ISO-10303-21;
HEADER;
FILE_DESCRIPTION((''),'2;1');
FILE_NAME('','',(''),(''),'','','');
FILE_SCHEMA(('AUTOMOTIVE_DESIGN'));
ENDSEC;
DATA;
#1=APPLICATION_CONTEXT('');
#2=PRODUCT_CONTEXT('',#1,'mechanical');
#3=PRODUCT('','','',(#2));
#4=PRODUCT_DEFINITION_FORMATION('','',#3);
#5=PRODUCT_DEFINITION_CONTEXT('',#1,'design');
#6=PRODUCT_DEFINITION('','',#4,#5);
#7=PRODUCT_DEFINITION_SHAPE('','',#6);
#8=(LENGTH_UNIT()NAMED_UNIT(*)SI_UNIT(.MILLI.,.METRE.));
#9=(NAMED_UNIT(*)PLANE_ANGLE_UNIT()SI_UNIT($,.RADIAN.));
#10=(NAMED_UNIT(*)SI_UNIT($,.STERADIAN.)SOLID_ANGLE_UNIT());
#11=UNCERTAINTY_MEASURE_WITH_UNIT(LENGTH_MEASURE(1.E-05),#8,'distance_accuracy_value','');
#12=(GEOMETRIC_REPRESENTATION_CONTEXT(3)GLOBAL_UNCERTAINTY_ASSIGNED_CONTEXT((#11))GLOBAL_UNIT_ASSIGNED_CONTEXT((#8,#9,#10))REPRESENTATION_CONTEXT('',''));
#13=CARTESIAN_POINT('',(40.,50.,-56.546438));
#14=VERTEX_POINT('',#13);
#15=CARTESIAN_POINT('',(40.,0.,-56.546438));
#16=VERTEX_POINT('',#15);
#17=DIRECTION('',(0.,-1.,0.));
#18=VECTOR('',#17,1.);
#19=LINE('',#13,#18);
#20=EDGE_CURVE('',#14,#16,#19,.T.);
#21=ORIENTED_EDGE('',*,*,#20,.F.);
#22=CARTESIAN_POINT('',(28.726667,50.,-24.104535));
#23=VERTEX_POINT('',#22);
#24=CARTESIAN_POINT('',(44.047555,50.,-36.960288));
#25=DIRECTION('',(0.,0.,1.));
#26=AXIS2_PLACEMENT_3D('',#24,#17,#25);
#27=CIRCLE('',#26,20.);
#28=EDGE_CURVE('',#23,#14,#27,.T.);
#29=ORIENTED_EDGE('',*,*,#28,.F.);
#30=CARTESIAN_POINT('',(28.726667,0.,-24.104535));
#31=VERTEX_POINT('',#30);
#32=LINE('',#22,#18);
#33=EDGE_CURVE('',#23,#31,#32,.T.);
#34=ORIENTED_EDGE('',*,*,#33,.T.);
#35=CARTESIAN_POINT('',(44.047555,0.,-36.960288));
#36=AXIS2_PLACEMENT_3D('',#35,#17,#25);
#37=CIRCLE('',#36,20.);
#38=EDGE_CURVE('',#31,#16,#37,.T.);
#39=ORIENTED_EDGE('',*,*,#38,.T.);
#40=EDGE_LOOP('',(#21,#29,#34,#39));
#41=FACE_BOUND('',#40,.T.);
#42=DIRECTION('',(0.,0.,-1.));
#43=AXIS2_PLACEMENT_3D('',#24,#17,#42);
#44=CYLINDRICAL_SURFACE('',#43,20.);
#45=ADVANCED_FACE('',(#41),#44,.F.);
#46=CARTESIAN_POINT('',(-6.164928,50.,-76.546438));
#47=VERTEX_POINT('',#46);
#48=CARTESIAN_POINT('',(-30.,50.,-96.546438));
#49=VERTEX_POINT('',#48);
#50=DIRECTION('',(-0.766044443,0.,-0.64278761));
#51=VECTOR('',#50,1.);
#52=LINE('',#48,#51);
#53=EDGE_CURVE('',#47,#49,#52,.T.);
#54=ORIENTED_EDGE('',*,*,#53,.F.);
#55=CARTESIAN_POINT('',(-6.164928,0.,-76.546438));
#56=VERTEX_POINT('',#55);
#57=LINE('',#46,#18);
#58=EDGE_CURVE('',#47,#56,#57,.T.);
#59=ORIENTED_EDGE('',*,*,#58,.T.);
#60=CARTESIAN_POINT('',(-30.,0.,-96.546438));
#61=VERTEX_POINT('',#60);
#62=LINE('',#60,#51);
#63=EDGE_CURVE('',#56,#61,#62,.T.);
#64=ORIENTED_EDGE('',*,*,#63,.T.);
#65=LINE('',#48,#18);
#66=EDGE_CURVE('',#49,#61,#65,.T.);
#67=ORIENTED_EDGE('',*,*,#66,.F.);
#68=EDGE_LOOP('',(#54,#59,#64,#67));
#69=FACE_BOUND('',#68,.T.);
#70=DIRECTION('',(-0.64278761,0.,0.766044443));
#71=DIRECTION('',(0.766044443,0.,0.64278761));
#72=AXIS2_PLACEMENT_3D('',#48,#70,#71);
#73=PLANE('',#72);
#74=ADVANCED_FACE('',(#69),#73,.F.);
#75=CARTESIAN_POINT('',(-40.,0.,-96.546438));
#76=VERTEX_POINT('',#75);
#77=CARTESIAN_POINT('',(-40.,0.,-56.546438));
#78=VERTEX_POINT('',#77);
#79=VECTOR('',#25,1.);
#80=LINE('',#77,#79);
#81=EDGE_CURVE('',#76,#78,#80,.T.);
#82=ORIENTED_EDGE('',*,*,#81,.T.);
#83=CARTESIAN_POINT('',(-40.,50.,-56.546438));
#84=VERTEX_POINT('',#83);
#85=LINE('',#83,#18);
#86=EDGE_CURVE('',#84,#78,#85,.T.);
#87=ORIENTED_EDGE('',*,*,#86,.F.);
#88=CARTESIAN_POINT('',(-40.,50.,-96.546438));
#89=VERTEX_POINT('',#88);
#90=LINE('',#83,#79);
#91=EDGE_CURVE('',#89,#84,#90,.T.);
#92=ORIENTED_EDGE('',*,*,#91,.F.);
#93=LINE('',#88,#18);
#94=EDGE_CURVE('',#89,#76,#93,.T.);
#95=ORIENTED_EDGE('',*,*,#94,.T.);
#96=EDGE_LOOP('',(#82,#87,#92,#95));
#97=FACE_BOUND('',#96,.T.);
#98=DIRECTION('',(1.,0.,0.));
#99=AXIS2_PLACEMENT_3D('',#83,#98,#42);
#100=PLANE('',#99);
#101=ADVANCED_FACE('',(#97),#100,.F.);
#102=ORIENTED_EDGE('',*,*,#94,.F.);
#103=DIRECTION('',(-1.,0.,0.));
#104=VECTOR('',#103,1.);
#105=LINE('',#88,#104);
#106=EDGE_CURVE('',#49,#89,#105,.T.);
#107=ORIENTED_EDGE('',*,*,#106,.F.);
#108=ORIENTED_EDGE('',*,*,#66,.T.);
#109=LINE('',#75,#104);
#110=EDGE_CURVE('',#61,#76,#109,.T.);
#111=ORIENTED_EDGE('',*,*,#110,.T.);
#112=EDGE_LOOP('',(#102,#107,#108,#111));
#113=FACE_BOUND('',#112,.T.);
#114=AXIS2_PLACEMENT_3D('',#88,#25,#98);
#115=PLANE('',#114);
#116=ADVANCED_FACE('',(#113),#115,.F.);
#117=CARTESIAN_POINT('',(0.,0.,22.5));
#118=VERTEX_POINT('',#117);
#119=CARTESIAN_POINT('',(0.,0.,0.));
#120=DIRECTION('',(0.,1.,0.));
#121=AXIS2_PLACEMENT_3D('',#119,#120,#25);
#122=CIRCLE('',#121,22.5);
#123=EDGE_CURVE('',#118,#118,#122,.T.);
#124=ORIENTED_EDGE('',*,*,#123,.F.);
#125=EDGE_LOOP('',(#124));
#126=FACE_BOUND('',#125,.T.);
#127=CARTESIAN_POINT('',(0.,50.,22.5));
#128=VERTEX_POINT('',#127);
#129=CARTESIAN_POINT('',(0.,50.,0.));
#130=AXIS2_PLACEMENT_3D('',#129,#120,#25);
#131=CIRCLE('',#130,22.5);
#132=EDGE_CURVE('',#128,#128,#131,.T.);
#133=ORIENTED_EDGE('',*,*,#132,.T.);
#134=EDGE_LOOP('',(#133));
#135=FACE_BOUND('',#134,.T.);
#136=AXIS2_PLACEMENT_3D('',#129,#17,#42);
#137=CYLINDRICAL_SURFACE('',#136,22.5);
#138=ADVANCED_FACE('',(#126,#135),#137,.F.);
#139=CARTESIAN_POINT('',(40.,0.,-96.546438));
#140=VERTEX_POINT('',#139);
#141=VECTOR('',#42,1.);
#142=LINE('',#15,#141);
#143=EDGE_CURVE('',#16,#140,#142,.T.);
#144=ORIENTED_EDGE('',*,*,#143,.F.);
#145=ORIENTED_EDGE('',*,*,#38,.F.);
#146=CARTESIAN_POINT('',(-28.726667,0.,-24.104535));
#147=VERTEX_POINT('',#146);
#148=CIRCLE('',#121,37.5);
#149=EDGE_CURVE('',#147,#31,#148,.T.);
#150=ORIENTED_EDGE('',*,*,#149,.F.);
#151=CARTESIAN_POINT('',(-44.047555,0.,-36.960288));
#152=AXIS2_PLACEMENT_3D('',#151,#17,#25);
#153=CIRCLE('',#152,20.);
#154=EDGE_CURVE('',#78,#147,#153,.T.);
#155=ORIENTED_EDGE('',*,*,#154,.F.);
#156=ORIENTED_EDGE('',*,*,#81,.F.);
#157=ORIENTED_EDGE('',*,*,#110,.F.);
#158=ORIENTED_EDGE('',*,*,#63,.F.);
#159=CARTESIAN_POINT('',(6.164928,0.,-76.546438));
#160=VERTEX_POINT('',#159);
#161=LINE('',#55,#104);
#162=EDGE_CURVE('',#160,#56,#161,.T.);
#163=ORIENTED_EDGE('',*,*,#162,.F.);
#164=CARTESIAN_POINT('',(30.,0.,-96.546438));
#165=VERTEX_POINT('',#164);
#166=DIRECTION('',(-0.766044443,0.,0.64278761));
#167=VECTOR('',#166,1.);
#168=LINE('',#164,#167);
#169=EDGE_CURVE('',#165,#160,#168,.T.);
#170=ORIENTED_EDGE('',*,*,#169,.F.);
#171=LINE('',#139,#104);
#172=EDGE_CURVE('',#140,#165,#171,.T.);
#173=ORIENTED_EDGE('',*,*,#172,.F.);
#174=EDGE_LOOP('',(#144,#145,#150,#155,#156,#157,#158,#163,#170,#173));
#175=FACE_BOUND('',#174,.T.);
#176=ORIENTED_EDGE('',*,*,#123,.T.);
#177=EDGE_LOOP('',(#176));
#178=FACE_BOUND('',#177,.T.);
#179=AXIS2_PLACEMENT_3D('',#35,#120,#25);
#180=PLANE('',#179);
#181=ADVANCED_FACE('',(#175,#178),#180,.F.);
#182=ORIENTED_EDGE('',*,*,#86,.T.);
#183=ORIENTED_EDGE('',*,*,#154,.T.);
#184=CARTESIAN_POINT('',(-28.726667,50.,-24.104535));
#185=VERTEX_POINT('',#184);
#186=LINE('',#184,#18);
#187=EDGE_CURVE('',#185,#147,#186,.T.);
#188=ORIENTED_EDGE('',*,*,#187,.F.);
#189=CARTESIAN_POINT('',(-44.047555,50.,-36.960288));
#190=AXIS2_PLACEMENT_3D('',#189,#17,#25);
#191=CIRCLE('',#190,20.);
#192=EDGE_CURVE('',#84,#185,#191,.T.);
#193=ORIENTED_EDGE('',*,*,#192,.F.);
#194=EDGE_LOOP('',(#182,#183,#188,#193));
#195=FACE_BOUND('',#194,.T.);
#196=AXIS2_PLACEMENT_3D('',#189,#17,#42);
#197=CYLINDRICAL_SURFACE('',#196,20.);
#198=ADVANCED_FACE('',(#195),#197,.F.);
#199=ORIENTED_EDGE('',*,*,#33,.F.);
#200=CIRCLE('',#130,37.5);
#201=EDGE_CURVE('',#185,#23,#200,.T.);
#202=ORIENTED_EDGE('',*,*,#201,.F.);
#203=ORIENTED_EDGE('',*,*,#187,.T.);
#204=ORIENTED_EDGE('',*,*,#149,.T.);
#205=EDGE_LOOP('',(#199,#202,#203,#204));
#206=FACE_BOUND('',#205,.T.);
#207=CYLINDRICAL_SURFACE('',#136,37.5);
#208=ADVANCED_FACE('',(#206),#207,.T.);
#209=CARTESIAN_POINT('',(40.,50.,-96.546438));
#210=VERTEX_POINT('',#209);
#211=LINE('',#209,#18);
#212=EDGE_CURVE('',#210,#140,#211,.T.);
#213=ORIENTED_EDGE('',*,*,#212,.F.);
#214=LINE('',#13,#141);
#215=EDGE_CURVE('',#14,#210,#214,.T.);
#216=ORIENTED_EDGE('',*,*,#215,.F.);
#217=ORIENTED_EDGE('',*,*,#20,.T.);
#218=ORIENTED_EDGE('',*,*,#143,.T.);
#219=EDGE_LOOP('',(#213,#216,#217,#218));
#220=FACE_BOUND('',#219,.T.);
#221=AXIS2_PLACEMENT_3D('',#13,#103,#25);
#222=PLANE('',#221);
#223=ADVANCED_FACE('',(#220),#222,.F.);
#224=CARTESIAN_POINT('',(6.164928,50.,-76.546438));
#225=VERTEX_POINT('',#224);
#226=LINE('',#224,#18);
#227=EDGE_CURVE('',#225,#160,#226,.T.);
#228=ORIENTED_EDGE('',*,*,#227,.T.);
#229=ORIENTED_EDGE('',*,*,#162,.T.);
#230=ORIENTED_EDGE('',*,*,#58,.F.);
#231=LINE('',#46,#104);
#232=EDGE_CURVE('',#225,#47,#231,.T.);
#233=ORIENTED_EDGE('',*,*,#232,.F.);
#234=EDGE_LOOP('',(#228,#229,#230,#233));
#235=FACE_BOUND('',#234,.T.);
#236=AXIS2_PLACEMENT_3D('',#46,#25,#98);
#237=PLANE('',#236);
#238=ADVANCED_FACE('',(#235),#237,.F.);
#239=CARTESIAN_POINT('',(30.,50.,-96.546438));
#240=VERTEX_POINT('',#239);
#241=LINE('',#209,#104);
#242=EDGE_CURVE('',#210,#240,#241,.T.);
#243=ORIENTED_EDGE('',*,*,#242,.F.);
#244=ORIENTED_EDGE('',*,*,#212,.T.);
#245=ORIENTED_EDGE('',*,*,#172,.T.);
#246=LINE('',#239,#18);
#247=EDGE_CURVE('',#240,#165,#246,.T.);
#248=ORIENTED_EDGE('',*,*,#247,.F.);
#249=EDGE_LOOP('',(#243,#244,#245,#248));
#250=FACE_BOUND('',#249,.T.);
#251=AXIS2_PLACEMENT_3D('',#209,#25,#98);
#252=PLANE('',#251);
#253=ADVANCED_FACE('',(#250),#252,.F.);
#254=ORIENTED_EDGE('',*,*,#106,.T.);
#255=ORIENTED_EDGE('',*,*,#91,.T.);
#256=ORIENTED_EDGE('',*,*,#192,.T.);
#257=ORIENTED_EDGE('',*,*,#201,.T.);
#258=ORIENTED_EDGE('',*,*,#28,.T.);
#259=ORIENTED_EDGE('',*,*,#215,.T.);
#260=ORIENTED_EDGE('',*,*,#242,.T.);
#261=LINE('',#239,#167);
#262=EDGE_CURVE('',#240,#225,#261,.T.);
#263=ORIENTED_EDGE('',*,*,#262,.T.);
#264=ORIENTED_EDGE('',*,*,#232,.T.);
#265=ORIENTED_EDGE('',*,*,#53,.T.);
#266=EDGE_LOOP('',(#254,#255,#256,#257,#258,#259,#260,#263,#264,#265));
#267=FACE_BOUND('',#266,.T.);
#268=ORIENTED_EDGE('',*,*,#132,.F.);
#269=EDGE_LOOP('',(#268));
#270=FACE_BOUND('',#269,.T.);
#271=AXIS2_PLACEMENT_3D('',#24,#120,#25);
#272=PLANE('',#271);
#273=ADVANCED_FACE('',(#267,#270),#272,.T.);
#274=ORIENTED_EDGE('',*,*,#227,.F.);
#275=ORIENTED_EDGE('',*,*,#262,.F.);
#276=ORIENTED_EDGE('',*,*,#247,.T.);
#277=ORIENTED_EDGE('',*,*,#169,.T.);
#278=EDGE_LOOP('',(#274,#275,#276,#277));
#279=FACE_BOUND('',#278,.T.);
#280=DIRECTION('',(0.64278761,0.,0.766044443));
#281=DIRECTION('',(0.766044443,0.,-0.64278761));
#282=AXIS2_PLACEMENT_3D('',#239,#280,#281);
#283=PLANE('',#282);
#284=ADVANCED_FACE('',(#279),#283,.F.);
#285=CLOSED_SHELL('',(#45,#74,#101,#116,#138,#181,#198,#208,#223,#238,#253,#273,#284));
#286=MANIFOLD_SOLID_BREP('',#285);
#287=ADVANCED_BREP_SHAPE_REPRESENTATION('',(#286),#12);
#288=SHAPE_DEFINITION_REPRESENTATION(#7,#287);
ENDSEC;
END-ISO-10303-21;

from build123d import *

# Parameters (mm, degrees)
CROQUIS2_R              = 22.5
SALIENTE_EXTRUIR1_DEPTH = 50


with BuildPart() as part:
    # Croquis2 → Saliente-Extruir1 (new body)
    with BuildSketch(Plane(origin=(0, 0, 0), x_dir=(1, 0, 0), z_dir=(0, 1, 0))):
        with BuildLine():
            Line((-6.164928148, 76.54643814), (6.164928148, 76.54643814))
            Line((6.164928148, 76.54643814), (30, 96.54643814))
            Line((30, 96.54643814), (40, 96.54643814))
            Line((40, 96.54643814), (40, 56.54643814))
            ThreePointArc((40, 56.54643814), (25.155667723, 43.525085879), (28.726666617, 24.104535363))
            ThreePointArc((28.726666617, 24.104535363), (0, -37.5), (-28.726666617, 24.104535363))
            ThreePointArc((-28.726666617, 24.104535363), (-25.155667723, 43.525085879), (-40, 56.54643814))
            Line((-40, 56.54643814), (-40, 96.54643814))
            Line((-40, 96.54643814), (-30, 96.54643814))
            Line((-30, 96.54643814), (-6.164928148, 76.54643814))
        make_face()
        Circle(CROQUIS2_R, mode=Mode.SUBTRACT)
    extrude(amount=SALIENTE_EXTRUIR1_DEPTH)


solid = part.part
